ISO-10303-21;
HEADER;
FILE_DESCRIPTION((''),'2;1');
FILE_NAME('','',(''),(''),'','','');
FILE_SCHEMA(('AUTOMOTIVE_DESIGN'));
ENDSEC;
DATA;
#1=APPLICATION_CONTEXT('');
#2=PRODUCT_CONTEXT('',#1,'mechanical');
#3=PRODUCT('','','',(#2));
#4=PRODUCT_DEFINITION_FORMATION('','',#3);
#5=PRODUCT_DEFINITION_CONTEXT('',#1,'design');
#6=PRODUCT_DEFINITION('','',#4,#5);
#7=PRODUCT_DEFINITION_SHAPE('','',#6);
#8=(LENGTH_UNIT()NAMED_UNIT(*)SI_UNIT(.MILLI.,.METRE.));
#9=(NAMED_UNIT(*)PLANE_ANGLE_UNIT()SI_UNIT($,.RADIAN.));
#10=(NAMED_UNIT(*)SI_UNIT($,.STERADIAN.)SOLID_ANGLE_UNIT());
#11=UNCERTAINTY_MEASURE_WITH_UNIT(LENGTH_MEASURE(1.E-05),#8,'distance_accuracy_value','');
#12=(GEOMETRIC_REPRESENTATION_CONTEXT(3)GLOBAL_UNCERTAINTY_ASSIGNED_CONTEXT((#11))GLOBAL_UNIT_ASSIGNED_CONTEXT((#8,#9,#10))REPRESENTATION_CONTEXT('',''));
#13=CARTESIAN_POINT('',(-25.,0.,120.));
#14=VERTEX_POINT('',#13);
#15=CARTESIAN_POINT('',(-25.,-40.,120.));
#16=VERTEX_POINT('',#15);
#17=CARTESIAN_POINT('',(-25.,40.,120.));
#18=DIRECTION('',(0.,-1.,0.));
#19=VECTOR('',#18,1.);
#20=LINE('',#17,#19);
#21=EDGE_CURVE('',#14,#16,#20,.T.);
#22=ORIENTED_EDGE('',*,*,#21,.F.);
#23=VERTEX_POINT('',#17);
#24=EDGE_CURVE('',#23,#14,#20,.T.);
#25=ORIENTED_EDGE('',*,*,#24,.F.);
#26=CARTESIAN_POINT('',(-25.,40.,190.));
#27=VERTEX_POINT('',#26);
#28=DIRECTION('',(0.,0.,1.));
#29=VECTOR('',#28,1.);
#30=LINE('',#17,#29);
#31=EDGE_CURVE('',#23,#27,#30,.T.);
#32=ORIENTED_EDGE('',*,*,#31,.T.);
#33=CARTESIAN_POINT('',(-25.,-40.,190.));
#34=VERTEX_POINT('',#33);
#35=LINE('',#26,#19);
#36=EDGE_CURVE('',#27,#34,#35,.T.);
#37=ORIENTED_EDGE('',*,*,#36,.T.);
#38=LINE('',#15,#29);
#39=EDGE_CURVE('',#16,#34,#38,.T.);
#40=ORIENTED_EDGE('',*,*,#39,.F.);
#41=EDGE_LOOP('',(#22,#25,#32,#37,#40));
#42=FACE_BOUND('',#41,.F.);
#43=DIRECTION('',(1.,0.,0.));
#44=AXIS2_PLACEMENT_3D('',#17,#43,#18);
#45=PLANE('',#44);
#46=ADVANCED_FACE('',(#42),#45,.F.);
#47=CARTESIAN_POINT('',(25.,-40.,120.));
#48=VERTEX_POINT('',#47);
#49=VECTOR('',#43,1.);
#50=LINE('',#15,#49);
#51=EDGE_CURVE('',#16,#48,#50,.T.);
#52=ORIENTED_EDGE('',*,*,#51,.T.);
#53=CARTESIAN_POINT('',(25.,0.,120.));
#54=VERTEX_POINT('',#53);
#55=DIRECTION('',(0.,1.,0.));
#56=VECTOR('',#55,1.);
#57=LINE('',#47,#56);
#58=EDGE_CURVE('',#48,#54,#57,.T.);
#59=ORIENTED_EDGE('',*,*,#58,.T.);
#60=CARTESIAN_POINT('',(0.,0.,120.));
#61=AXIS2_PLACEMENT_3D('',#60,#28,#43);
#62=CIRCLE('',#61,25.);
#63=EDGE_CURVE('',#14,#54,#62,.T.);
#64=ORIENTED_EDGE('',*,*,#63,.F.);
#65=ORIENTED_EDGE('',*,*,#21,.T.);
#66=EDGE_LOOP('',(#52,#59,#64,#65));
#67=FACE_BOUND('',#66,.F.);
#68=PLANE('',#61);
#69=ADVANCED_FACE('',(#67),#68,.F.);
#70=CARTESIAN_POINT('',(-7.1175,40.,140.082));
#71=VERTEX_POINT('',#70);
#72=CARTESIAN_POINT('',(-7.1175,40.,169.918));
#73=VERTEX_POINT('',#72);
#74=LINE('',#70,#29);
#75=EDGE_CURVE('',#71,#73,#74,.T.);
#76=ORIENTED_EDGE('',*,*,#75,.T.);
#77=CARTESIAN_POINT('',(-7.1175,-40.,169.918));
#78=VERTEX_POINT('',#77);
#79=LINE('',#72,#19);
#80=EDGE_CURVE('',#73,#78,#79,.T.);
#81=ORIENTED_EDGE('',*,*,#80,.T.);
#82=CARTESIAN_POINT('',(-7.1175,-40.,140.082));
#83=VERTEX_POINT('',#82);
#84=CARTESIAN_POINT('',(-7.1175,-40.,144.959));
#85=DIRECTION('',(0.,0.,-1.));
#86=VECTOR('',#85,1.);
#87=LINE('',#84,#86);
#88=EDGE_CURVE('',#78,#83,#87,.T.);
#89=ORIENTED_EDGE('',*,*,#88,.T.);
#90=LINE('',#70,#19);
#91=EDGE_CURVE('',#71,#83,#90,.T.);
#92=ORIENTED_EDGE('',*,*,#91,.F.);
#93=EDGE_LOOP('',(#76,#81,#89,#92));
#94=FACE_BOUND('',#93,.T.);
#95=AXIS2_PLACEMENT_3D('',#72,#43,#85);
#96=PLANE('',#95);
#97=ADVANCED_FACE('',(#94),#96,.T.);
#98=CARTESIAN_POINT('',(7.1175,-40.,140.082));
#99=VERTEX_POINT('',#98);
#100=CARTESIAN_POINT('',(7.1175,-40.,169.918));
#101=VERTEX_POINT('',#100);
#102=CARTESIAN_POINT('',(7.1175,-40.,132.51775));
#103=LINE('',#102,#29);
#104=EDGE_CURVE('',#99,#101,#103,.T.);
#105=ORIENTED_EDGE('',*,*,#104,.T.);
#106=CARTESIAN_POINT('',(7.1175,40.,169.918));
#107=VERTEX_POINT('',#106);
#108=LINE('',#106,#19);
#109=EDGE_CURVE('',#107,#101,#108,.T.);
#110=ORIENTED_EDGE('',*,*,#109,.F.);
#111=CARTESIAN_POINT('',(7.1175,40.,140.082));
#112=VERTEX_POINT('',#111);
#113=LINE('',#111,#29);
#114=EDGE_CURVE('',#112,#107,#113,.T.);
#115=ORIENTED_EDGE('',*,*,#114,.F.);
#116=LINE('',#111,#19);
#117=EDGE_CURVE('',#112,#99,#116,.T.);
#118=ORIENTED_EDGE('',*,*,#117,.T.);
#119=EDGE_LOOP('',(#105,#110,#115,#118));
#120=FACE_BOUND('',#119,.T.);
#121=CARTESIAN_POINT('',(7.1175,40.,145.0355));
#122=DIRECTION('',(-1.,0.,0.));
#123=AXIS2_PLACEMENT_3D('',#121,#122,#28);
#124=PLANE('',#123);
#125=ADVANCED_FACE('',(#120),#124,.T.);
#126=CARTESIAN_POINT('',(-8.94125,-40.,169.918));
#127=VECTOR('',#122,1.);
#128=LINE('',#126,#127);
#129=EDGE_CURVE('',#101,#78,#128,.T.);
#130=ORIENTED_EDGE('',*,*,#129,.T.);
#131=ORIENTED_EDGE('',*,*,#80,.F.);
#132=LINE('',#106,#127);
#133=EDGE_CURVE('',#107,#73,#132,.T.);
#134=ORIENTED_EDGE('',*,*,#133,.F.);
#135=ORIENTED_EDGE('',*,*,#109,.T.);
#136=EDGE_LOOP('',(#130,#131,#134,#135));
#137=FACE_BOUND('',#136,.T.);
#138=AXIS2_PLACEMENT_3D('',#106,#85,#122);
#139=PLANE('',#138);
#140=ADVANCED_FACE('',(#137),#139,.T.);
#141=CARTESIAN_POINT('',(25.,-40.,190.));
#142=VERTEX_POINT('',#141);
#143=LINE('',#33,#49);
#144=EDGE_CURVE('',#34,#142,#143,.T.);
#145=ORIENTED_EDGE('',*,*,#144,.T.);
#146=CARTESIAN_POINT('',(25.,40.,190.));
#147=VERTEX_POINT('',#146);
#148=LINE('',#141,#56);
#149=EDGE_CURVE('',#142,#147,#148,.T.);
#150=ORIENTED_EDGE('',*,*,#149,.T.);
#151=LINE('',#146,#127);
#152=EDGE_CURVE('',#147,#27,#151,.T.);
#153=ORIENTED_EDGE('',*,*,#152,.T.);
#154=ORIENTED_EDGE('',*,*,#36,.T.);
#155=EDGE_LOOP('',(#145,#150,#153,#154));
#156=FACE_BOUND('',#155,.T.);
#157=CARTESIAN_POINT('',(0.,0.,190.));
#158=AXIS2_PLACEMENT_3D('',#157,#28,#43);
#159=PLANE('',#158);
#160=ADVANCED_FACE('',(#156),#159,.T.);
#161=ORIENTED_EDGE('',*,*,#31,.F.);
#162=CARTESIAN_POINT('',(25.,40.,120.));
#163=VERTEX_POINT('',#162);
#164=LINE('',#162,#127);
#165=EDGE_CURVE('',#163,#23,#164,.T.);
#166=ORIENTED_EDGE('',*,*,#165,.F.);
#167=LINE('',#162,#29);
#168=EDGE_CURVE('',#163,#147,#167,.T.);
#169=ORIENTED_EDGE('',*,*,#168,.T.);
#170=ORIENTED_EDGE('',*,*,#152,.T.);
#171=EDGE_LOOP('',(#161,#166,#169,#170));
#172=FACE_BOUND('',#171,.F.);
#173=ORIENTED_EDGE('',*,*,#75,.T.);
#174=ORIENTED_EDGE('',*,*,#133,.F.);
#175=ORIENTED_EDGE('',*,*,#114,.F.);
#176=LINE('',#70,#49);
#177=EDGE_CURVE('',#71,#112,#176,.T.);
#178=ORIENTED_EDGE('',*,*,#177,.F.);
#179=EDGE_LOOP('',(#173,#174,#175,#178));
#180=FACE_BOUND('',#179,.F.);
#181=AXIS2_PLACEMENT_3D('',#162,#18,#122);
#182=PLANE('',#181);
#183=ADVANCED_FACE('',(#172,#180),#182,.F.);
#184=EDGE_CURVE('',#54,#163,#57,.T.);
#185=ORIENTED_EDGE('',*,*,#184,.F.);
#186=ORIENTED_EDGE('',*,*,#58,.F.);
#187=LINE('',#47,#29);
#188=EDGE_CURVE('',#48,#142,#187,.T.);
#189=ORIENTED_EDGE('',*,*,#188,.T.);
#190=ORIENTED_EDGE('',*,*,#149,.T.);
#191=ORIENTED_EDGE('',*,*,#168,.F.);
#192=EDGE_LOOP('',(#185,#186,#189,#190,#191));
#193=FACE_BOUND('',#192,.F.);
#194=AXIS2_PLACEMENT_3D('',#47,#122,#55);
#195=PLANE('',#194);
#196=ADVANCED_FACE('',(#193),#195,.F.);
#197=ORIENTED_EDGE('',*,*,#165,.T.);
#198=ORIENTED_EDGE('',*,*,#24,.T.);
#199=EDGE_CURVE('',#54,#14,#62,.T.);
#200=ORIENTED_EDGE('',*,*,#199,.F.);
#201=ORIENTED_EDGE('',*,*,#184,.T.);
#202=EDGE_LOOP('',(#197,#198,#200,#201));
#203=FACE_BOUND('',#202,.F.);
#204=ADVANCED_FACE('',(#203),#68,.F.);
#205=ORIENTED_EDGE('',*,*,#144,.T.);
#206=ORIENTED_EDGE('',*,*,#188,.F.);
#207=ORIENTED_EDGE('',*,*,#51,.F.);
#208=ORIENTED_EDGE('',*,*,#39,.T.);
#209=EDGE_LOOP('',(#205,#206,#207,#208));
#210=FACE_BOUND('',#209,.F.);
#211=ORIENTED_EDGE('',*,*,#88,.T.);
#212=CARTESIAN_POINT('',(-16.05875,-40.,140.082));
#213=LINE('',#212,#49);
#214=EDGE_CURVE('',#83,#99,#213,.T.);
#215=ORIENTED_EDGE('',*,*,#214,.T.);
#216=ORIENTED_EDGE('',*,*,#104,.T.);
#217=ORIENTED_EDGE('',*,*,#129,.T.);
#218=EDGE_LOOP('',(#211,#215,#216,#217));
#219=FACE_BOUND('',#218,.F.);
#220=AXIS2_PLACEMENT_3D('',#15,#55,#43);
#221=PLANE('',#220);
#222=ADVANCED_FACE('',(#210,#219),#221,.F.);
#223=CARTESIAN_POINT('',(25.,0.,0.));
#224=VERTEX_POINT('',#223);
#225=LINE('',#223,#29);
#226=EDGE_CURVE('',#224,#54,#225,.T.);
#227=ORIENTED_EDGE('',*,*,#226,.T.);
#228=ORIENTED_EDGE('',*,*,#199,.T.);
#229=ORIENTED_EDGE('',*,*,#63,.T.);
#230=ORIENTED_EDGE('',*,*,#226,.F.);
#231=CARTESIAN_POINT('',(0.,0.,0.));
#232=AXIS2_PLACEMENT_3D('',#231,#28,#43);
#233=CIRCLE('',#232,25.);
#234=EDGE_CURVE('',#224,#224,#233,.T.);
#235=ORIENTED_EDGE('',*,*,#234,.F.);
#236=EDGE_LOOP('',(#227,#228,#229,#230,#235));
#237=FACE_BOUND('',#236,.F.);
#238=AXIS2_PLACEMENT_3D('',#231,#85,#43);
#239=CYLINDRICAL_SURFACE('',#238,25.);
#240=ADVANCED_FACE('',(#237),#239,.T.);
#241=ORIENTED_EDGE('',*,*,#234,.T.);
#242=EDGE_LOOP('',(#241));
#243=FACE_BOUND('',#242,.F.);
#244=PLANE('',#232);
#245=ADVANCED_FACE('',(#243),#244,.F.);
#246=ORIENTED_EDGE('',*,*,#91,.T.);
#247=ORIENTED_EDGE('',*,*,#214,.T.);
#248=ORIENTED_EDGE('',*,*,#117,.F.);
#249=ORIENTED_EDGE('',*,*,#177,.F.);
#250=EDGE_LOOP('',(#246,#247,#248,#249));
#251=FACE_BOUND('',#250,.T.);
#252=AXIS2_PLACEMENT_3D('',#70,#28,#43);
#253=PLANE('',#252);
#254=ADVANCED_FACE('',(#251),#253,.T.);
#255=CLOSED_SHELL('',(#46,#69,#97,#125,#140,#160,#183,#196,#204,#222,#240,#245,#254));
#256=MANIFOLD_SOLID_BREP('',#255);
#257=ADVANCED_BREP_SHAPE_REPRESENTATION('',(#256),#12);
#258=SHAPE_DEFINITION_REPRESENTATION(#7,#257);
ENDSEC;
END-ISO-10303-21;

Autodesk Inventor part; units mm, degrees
ref_plane "YZ Plane" through (0, 0, 0) normal (1, 0, 0) x (0, 1, 0)
ref_plane "XZ Plane" through (0, 0, 0) normal (0, 1, 0) x (-1, 0, 0)
ref_plane "XY Plane" through (0, 0, 0) normal (0, 0, 1) x (1, 0, 0)
sketch "Sketch1" plane through (0, 0, 0) normal (0, 0, 1) x (1, 0, 0)
  circle A0 centre (0, 0) radius 25
  dimension "d0" = 50
extrude "Extrusion1" add sketch "Sketch1" along normal blind 120
sketch "Sketch5" plane through (0, 0, 120) normal (0, 0, 1) x (1, 0, 0)
  line L0 (-25, -40) -> (25, -40)
  line L1 (25, -40) -> (25, 40)
  line L2 (25, 40) -> (-25, 40)
  line L3 (-25, 40) -> (-25, -40)
  line L4 (-25, -40) -> (25, 40) construction
  line L5 (25, -40) -> (-25, 40) construction
  point P0 (0, 0)
  dimension "d18" = 50
  dimension "d19" = 80
extrude "Extrusion4" add sketch "Sketch5" along normal blind 70
sketch "Sketch6" plane through (-25, 40, 120) normal (0, 1, 0) x (1, 0, 0)
  point P0 (25, 120)
sketch "Sketch7" plane through (-25, 40, 120) normal (0, 1, 0) x (1, 0, 0)
  line L0 (0, 0) -> (50, 0) projected
  line L1 (0, -70) -> (50, -70) projected
  line L2 (50, 0) -> (0, -70)
  line L3 (32.1175, -49.918) -> (17.8825, -49.918)
  line L4 (17.8825, -49.918) -> (17.8825, -20.082)
  line L5 (17.8825, -20.082) -> (32.1175, -20.082)
  line L6 (32.1175, -20.082) -> (32.1175, -49.918)
  line L7 (32.1175, -49.918) -> (17.8825, -20.082) construction
  line L8 (17.8825, -49.918) -> (32.1175, -20.082) construction
  point P0 (25, 120)
  point P1 (25, -35)
  dimension "d22" = 14.235
  dimension "d23" = 29.836
extrude "Extrusion5" cut sketch "Sketch7" against normal through all
properties part number "武士刀夾具"
